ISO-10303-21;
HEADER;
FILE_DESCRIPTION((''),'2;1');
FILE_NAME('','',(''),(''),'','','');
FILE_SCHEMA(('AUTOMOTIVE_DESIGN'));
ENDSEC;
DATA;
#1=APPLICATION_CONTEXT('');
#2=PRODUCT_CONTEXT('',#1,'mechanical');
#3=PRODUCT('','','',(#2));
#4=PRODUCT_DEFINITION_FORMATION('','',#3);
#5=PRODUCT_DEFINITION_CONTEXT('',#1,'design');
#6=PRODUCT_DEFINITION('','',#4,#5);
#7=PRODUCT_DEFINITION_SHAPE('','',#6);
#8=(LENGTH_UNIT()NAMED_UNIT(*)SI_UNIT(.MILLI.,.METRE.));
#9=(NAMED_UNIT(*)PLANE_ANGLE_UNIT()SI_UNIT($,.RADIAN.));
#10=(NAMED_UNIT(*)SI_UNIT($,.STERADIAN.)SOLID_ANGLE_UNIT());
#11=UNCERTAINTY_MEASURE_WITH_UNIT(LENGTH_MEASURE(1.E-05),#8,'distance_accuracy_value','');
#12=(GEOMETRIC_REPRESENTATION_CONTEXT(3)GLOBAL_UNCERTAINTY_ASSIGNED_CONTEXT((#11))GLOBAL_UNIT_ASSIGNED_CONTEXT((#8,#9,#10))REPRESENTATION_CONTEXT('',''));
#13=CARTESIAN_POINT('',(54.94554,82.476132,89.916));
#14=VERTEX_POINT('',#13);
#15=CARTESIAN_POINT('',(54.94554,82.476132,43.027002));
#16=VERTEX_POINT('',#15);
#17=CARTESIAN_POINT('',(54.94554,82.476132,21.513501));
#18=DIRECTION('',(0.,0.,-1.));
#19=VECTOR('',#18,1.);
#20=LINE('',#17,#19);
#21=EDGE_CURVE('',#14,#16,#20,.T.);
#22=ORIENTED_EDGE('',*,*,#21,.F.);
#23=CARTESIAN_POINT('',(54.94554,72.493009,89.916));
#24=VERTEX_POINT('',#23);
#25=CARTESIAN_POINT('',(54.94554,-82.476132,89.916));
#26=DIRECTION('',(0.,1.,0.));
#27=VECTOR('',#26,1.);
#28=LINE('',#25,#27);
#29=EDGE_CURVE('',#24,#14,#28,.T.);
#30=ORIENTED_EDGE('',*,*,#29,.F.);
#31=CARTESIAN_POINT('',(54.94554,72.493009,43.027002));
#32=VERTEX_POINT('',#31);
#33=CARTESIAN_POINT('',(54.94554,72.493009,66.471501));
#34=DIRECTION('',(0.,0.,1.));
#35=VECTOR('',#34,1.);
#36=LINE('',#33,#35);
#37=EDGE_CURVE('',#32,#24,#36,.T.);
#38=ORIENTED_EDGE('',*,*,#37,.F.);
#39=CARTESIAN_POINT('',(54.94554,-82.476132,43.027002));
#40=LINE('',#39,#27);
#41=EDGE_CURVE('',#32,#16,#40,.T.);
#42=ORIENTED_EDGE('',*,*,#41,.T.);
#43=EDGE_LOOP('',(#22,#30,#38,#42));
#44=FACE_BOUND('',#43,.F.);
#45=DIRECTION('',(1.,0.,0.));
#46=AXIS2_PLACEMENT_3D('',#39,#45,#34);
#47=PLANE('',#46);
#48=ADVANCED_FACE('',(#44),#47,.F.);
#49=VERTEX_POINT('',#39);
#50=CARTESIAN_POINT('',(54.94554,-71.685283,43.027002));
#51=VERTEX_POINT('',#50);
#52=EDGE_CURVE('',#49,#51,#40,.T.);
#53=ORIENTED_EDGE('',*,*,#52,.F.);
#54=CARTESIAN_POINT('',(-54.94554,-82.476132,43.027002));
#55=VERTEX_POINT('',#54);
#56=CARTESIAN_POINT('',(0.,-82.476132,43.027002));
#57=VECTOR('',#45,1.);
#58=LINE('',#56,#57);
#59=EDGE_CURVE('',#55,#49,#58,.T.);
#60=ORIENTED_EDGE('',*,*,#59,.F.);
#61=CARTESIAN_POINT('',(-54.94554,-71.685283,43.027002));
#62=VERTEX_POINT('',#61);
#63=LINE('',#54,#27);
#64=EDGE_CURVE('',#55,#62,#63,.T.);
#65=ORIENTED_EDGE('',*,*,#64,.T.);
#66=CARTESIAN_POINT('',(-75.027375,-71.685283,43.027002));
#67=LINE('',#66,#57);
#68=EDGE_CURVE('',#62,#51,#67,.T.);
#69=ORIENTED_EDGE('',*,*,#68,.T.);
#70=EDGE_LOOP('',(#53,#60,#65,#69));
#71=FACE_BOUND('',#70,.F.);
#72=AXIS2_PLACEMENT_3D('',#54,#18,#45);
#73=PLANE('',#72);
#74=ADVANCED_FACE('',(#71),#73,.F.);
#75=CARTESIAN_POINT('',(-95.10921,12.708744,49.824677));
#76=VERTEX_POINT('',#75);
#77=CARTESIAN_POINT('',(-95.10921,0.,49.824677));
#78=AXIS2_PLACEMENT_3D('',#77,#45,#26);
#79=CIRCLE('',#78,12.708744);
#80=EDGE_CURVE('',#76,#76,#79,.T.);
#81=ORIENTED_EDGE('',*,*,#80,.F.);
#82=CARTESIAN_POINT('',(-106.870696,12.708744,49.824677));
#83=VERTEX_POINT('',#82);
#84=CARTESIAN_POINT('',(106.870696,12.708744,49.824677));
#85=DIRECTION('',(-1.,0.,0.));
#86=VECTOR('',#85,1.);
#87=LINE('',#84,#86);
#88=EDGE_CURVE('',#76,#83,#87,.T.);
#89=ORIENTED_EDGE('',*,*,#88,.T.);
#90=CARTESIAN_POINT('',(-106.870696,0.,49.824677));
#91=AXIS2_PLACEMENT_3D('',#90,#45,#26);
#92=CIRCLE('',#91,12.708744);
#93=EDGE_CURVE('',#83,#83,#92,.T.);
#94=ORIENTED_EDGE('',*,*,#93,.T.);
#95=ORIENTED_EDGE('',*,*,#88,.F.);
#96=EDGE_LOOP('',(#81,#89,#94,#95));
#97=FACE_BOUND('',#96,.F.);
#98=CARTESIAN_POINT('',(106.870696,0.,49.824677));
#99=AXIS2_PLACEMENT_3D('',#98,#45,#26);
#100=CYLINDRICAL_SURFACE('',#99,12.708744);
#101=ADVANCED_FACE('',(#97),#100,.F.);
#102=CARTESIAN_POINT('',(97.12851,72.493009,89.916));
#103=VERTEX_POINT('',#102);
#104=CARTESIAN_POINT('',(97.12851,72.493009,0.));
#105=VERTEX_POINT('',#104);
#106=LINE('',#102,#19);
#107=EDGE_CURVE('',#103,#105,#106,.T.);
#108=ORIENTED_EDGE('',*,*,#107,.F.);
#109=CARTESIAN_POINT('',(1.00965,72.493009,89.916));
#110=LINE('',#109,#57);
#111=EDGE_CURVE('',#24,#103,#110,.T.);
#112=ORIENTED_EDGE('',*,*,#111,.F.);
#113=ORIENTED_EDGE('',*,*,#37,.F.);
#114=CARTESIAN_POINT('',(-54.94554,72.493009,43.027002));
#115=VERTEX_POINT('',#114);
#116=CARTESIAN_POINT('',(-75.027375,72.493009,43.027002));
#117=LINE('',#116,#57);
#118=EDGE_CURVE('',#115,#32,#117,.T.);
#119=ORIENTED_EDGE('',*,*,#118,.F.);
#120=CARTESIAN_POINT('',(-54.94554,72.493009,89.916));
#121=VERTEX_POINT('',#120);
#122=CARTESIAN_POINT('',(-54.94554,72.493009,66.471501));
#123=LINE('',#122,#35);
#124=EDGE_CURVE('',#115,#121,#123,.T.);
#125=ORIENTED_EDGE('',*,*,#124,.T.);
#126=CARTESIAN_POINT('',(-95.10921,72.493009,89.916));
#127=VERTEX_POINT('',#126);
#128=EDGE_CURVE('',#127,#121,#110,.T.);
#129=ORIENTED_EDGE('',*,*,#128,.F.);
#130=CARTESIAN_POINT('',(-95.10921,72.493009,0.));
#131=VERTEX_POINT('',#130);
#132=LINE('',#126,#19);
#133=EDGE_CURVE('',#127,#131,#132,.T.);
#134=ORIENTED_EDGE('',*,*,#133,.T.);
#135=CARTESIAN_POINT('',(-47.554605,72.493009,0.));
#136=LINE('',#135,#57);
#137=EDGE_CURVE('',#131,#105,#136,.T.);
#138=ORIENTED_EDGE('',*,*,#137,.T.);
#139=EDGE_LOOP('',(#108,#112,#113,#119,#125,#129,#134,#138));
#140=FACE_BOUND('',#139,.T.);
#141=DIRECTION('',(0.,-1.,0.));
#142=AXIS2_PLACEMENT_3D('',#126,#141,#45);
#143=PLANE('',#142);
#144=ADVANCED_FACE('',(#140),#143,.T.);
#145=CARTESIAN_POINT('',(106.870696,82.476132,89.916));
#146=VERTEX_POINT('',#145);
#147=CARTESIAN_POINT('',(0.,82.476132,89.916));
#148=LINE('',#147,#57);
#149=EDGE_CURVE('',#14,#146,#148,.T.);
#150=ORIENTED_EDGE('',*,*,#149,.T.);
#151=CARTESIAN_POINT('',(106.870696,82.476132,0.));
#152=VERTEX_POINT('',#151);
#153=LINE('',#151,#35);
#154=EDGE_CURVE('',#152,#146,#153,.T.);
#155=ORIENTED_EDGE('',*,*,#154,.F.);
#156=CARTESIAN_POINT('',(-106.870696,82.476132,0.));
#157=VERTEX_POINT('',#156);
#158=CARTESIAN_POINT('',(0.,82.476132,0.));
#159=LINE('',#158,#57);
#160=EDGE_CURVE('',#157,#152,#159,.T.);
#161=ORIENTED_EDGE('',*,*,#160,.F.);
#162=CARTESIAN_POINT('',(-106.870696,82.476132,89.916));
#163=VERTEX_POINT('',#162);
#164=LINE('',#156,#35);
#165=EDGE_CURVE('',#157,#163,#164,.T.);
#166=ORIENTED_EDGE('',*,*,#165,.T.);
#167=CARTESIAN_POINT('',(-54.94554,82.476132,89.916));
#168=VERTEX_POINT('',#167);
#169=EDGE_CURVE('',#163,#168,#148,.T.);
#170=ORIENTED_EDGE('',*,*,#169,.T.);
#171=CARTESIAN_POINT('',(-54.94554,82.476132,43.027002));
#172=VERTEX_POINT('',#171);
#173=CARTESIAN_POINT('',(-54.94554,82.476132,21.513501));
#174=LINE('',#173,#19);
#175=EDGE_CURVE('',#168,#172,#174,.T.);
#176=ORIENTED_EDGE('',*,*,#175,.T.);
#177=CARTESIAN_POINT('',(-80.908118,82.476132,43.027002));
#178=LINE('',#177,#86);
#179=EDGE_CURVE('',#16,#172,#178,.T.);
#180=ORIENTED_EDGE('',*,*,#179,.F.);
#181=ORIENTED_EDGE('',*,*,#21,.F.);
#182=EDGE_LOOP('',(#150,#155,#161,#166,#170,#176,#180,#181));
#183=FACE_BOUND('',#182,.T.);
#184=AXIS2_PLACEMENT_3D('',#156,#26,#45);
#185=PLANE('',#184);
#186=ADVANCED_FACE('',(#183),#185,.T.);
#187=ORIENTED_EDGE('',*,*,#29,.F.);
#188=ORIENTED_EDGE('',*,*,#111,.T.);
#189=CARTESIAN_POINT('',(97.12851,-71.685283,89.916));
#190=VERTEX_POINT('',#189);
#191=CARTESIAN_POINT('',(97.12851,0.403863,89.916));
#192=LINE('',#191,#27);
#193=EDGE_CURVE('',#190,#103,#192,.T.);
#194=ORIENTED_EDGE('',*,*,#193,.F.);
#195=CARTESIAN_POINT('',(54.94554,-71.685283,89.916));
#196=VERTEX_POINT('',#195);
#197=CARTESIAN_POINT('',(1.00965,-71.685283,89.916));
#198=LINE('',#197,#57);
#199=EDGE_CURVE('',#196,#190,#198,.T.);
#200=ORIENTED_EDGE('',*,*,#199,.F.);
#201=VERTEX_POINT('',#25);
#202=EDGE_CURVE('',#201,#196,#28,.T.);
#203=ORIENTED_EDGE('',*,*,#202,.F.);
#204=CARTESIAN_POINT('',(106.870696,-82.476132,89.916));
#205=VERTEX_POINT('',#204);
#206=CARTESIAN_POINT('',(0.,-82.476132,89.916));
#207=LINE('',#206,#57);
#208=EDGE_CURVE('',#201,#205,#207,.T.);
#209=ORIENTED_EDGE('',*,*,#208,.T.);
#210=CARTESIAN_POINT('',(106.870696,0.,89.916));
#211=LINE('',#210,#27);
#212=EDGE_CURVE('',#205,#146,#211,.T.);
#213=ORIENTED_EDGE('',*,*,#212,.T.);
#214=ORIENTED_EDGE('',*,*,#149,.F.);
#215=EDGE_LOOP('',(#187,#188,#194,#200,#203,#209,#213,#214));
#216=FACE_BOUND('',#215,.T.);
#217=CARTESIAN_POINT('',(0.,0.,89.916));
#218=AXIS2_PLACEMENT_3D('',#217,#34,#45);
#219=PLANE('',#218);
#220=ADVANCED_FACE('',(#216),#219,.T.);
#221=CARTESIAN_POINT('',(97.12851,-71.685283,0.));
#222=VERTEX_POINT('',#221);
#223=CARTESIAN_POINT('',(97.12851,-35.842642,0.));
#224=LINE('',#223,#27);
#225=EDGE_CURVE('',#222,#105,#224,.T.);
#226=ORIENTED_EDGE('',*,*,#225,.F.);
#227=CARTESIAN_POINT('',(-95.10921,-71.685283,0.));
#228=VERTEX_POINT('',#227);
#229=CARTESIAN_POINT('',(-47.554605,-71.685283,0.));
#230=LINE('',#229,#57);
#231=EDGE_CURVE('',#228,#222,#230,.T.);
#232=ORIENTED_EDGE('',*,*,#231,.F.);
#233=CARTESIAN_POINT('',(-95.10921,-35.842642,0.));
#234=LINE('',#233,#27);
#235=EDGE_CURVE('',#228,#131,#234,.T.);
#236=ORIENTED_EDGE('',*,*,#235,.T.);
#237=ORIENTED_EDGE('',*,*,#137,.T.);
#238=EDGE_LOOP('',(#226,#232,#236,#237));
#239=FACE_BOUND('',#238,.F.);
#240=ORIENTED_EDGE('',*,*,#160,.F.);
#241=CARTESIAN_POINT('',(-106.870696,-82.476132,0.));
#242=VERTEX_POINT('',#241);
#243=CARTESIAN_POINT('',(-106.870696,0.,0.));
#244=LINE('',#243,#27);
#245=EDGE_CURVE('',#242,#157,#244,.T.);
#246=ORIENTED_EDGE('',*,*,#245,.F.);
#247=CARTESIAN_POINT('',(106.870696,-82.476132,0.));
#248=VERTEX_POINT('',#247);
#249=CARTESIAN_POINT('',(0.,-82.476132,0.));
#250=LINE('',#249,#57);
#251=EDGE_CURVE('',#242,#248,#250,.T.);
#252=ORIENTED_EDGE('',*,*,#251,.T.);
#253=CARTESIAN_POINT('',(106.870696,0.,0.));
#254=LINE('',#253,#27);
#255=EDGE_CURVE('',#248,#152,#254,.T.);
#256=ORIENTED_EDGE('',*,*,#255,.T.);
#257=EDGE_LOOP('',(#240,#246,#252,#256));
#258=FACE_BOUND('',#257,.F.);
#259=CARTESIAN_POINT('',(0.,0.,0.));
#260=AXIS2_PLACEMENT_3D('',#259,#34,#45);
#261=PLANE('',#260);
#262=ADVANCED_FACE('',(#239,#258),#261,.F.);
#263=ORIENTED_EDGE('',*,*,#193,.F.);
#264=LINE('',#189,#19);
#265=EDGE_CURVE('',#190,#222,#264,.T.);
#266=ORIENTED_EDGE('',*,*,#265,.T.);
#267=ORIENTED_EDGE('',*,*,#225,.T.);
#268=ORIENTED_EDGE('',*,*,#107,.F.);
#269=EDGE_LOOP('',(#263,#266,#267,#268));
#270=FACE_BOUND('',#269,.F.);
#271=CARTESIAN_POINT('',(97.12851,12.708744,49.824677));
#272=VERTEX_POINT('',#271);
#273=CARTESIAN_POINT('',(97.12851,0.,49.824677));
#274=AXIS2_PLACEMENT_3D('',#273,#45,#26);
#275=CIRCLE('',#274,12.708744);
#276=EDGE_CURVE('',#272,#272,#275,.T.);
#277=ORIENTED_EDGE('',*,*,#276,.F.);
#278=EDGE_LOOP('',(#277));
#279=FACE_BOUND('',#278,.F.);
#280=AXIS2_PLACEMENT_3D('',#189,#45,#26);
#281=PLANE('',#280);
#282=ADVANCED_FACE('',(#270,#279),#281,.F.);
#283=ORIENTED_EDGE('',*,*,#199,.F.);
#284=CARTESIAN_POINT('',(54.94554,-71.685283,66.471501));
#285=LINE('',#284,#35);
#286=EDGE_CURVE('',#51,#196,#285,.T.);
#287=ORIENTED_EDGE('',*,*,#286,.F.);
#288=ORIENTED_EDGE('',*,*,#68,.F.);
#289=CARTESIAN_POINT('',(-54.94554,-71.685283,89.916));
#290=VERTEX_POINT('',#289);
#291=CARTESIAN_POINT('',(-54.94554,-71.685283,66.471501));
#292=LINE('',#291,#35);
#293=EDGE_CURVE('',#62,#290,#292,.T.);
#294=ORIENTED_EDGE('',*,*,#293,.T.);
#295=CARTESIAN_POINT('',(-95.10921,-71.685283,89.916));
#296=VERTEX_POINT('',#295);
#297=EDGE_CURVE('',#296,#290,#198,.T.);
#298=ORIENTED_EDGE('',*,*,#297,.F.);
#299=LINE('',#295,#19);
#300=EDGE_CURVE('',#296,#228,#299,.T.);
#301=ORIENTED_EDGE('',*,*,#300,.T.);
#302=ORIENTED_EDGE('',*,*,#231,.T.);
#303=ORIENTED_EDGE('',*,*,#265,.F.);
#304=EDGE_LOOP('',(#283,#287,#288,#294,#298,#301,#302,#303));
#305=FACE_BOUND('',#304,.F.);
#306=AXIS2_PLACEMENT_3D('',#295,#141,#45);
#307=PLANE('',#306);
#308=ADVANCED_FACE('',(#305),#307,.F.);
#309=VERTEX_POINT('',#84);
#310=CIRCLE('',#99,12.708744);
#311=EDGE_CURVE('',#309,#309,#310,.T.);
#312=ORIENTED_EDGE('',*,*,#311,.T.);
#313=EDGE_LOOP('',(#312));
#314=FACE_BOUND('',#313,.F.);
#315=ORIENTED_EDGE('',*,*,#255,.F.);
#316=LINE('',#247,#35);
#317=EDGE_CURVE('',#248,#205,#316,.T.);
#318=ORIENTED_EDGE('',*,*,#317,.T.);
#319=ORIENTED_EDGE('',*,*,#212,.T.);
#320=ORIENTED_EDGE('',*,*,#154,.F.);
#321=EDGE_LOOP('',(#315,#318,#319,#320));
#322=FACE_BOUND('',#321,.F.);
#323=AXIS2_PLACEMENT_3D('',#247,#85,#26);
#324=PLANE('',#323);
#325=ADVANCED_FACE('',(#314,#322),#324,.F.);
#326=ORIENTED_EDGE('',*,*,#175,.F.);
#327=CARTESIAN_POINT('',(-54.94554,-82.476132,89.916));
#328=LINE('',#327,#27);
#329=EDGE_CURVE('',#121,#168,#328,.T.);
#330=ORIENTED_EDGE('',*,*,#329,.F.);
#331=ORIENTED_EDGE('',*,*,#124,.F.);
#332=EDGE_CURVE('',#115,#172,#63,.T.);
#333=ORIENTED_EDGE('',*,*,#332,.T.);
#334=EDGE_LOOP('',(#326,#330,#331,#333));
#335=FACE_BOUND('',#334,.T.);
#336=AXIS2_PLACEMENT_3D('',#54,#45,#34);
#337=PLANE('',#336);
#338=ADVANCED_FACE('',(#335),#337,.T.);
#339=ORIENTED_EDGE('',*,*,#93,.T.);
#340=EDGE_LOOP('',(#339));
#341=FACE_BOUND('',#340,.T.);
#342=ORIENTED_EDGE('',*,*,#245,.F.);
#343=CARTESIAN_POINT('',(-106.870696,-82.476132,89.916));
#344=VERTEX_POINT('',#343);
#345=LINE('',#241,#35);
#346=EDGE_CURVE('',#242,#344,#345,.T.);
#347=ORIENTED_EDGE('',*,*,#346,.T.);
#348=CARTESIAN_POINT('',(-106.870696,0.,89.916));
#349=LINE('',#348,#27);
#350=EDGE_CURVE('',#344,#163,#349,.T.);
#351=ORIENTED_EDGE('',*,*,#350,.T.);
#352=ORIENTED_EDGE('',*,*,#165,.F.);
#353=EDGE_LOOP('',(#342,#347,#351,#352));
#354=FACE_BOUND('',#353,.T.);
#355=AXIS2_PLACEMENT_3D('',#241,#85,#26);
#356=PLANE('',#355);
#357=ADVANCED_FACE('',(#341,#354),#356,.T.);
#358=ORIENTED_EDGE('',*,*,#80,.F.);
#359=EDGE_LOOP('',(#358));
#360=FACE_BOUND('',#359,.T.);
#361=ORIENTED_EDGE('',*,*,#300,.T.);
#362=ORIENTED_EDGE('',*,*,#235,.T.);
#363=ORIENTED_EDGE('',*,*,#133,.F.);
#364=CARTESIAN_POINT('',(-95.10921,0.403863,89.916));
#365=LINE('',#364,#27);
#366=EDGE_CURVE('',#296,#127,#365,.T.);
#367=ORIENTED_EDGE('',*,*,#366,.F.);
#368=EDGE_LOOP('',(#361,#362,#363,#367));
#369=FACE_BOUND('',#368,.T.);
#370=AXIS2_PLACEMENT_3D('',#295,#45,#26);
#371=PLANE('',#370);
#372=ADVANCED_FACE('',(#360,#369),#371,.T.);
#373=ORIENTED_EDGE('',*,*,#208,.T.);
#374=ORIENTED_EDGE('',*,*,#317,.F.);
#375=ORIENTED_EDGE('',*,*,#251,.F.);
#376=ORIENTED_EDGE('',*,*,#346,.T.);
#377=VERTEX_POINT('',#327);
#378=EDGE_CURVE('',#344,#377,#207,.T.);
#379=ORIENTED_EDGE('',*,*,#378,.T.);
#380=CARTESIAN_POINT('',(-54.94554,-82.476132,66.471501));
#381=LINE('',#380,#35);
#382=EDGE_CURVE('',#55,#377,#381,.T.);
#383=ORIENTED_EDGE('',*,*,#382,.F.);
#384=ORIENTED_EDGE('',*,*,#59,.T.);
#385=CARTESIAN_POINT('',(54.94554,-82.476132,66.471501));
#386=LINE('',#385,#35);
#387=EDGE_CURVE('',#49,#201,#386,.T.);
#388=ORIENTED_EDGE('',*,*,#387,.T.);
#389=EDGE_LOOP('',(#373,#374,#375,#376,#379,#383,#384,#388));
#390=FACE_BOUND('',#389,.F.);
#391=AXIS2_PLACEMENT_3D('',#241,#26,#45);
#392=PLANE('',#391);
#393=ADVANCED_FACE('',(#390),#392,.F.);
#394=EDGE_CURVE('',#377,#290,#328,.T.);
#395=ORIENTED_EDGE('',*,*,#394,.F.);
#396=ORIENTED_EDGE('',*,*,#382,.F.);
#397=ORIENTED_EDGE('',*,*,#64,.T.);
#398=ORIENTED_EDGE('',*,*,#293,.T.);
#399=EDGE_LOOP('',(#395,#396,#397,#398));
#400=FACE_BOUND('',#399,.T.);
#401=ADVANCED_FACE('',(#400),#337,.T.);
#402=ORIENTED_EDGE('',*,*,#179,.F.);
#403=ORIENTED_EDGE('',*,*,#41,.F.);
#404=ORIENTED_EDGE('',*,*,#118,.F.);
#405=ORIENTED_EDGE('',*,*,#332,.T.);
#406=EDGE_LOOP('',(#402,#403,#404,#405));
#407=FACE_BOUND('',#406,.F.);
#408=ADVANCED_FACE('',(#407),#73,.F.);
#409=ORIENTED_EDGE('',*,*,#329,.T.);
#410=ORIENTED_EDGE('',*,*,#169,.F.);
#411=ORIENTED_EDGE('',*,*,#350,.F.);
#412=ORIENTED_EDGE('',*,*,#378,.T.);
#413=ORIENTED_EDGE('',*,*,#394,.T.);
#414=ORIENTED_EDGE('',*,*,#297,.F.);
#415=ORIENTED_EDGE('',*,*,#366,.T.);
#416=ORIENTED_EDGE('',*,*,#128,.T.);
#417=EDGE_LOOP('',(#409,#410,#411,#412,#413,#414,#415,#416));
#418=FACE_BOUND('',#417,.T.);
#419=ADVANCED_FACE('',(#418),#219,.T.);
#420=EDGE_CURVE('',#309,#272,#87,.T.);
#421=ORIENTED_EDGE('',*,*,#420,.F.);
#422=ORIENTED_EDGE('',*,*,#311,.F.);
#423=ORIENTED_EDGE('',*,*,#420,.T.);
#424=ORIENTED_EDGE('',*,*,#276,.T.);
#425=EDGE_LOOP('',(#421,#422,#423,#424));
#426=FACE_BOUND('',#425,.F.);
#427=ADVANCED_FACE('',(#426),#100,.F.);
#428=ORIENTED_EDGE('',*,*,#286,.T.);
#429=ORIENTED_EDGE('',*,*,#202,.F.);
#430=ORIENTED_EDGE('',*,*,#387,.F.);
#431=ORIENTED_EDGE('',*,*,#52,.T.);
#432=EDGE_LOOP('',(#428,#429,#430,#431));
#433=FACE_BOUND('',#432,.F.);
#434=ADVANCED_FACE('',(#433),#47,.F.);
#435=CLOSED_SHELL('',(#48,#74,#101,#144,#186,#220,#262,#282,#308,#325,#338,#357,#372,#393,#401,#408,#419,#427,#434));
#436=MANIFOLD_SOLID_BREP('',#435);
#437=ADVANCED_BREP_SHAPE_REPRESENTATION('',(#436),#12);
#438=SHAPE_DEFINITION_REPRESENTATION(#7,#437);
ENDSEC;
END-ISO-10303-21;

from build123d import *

# Parameters (mm, degrees)
F0_W     = 213.741392
F0_H     = 164.952264
F1_DEPTH = 89.916
F2_W     = 192.237719
F2_H     = 144.178293
F3_DEPTH = 137.668
F4_W     = 109.89108
F4_H     = 46.888998
F5_DEPTH = 190.246
F6_R     = 12.708744
F7_DEPTH = 299.212


with BuildPart() as f1:
    # F0 (on Top) → F1 (new body)
    with BuildSketch(Plane.XY):
        Rectangle(F0_W, F0_H)
    extrude(amount=F1_DEPTH)

    # F2 (on face) → F3 (cut)
    with BuildSketch(Plane.XY.offset(89.916)):
        with Locations((1.00965, 0.403863)):
            Rectangle(F2_W, F2_H)
    extrude(amount=-F3_DEPTH, mode=Mode.SUBTRACT)

    # F4 (on face) → F5 (cut)
    with BuildSketch(Plane.XZ.offset(82.476132)):
        with Locations((0, 66.471501)):
            Rectangle(F4_W, F4_H)
    extrude(amount=-F5_DEPTH, mode=Mode.SUBTRACT)

    # F6 (on face) → F7 (cut)
    with BuildSketch(Plane.YZ.offset(106.870696)):
        with Locations((0, 49.824677)):
            Circle(F6_R)
    extrude(amount=-F7_DEPTH, mode=Mode.SUBTRACT)


solid = f1.part
